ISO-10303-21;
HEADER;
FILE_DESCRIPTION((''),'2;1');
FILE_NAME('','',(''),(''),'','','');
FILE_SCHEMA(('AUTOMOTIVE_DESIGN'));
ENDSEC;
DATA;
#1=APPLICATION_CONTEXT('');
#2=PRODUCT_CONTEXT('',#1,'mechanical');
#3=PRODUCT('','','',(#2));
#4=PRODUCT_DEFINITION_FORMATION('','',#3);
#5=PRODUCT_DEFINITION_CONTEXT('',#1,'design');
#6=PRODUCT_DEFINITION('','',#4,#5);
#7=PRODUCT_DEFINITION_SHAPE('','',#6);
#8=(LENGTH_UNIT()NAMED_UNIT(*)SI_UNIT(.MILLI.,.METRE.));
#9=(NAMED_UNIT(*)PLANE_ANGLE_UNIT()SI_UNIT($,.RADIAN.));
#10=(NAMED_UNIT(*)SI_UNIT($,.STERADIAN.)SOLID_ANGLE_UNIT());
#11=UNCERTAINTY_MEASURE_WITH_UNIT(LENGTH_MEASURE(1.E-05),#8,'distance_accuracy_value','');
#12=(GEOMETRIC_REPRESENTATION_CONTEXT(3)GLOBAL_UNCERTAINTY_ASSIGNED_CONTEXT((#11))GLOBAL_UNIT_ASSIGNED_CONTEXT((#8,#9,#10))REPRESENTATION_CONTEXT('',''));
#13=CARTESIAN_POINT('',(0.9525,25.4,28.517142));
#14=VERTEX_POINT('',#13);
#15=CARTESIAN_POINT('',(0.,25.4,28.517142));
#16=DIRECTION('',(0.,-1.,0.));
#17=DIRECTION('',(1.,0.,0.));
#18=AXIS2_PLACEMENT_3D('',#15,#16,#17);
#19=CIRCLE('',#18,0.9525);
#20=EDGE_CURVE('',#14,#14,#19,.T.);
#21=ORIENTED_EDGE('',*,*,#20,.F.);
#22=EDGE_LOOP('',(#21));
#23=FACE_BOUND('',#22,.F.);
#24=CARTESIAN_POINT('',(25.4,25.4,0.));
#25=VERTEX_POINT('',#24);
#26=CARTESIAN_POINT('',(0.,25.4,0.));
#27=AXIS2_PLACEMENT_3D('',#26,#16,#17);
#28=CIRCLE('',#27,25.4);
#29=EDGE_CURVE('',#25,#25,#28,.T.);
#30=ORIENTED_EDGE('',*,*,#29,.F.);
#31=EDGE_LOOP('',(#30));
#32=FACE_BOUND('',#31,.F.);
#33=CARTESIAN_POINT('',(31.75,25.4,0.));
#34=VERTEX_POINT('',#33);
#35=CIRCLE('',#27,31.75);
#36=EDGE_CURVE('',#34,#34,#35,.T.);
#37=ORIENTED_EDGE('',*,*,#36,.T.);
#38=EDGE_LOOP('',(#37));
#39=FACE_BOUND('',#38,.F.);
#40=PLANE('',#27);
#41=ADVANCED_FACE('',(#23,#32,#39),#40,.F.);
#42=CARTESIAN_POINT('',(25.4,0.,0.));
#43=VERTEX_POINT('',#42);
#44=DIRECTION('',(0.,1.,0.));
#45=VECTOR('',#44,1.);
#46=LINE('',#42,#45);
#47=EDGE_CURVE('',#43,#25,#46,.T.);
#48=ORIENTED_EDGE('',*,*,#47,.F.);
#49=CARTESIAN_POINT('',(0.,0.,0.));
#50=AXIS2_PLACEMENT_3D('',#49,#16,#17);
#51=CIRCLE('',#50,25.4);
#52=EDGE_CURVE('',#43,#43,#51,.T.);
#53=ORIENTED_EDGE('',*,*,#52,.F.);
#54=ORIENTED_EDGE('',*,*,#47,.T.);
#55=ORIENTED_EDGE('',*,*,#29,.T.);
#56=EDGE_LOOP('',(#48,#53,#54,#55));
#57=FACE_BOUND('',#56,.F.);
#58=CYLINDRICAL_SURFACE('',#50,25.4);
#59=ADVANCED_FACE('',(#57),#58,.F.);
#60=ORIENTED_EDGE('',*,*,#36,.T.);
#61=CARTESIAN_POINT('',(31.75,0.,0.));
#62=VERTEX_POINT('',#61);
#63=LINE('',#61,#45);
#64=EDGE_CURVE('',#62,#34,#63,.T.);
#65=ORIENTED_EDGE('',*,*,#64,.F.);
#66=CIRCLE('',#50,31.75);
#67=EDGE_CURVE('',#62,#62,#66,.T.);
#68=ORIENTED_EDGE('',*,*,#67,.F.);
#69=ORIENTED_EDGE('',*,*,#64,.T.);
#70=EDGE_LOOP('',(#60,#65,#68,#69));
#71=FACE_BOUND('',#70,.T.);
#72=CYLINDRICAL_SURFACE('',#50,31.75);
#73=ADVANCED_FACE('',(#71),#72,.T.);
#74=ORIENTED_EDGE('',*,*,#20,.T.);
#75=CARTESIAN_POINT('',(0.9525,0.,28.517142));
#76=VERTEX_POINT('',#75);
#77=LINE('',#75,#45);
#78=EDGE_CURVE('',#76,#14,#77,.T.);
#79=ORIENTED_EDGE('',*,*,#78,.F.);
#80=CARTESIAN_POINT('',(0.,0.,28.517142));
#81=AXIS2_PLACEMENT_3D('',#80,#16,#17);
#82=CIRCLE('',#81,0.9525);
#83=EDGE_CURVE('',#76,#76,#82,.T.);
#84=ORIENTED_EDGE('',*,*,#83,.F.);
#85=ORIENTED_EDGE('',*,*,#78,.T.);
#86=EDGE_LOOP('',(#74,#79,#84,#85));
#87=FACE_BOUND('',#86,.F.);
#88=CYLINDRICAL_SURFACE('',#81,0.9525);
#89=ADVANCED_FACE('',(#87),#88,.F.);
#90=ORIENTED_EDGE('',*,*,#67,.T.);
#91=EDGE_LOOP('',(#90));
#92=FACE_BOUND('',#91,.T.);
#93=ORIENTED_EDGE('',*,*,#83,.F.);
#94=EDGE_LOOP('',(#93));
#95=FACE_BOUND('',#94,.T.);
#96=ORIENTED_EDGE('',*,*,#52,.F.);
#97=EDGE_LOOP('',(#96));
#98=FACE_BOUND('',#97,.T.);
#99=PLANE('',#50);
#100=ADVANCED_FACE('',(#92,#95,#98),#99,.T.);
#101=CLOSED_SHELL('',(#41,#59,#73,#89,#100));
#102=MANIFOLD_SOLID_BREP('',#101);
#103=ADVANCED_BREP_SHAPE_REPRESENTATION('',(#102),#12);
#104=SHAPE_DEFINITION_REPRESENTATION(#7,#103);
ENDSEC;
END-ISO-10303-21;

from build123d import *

# Parameters (mm, degrees)
F0_R     = 31.75
F0_R_2   = 25.4
F0_R_3   = 0.9525
F1_DEPTH = 25.4


with BuildPart() as f1:
    # F0 (on Front) → F1 (new body)
    with BuildSketch(Plane.XZ):
        Circle(F0_R)
        Circle(F0_R_2, mode=Mode.SUBTRACT)
        with Locations((0, 28.517142)):
            Circle(F0_R_3, mode=Mode.SUBTRACT)
    extrude(amount=-F1_DEPTH)


solid = f1.part
